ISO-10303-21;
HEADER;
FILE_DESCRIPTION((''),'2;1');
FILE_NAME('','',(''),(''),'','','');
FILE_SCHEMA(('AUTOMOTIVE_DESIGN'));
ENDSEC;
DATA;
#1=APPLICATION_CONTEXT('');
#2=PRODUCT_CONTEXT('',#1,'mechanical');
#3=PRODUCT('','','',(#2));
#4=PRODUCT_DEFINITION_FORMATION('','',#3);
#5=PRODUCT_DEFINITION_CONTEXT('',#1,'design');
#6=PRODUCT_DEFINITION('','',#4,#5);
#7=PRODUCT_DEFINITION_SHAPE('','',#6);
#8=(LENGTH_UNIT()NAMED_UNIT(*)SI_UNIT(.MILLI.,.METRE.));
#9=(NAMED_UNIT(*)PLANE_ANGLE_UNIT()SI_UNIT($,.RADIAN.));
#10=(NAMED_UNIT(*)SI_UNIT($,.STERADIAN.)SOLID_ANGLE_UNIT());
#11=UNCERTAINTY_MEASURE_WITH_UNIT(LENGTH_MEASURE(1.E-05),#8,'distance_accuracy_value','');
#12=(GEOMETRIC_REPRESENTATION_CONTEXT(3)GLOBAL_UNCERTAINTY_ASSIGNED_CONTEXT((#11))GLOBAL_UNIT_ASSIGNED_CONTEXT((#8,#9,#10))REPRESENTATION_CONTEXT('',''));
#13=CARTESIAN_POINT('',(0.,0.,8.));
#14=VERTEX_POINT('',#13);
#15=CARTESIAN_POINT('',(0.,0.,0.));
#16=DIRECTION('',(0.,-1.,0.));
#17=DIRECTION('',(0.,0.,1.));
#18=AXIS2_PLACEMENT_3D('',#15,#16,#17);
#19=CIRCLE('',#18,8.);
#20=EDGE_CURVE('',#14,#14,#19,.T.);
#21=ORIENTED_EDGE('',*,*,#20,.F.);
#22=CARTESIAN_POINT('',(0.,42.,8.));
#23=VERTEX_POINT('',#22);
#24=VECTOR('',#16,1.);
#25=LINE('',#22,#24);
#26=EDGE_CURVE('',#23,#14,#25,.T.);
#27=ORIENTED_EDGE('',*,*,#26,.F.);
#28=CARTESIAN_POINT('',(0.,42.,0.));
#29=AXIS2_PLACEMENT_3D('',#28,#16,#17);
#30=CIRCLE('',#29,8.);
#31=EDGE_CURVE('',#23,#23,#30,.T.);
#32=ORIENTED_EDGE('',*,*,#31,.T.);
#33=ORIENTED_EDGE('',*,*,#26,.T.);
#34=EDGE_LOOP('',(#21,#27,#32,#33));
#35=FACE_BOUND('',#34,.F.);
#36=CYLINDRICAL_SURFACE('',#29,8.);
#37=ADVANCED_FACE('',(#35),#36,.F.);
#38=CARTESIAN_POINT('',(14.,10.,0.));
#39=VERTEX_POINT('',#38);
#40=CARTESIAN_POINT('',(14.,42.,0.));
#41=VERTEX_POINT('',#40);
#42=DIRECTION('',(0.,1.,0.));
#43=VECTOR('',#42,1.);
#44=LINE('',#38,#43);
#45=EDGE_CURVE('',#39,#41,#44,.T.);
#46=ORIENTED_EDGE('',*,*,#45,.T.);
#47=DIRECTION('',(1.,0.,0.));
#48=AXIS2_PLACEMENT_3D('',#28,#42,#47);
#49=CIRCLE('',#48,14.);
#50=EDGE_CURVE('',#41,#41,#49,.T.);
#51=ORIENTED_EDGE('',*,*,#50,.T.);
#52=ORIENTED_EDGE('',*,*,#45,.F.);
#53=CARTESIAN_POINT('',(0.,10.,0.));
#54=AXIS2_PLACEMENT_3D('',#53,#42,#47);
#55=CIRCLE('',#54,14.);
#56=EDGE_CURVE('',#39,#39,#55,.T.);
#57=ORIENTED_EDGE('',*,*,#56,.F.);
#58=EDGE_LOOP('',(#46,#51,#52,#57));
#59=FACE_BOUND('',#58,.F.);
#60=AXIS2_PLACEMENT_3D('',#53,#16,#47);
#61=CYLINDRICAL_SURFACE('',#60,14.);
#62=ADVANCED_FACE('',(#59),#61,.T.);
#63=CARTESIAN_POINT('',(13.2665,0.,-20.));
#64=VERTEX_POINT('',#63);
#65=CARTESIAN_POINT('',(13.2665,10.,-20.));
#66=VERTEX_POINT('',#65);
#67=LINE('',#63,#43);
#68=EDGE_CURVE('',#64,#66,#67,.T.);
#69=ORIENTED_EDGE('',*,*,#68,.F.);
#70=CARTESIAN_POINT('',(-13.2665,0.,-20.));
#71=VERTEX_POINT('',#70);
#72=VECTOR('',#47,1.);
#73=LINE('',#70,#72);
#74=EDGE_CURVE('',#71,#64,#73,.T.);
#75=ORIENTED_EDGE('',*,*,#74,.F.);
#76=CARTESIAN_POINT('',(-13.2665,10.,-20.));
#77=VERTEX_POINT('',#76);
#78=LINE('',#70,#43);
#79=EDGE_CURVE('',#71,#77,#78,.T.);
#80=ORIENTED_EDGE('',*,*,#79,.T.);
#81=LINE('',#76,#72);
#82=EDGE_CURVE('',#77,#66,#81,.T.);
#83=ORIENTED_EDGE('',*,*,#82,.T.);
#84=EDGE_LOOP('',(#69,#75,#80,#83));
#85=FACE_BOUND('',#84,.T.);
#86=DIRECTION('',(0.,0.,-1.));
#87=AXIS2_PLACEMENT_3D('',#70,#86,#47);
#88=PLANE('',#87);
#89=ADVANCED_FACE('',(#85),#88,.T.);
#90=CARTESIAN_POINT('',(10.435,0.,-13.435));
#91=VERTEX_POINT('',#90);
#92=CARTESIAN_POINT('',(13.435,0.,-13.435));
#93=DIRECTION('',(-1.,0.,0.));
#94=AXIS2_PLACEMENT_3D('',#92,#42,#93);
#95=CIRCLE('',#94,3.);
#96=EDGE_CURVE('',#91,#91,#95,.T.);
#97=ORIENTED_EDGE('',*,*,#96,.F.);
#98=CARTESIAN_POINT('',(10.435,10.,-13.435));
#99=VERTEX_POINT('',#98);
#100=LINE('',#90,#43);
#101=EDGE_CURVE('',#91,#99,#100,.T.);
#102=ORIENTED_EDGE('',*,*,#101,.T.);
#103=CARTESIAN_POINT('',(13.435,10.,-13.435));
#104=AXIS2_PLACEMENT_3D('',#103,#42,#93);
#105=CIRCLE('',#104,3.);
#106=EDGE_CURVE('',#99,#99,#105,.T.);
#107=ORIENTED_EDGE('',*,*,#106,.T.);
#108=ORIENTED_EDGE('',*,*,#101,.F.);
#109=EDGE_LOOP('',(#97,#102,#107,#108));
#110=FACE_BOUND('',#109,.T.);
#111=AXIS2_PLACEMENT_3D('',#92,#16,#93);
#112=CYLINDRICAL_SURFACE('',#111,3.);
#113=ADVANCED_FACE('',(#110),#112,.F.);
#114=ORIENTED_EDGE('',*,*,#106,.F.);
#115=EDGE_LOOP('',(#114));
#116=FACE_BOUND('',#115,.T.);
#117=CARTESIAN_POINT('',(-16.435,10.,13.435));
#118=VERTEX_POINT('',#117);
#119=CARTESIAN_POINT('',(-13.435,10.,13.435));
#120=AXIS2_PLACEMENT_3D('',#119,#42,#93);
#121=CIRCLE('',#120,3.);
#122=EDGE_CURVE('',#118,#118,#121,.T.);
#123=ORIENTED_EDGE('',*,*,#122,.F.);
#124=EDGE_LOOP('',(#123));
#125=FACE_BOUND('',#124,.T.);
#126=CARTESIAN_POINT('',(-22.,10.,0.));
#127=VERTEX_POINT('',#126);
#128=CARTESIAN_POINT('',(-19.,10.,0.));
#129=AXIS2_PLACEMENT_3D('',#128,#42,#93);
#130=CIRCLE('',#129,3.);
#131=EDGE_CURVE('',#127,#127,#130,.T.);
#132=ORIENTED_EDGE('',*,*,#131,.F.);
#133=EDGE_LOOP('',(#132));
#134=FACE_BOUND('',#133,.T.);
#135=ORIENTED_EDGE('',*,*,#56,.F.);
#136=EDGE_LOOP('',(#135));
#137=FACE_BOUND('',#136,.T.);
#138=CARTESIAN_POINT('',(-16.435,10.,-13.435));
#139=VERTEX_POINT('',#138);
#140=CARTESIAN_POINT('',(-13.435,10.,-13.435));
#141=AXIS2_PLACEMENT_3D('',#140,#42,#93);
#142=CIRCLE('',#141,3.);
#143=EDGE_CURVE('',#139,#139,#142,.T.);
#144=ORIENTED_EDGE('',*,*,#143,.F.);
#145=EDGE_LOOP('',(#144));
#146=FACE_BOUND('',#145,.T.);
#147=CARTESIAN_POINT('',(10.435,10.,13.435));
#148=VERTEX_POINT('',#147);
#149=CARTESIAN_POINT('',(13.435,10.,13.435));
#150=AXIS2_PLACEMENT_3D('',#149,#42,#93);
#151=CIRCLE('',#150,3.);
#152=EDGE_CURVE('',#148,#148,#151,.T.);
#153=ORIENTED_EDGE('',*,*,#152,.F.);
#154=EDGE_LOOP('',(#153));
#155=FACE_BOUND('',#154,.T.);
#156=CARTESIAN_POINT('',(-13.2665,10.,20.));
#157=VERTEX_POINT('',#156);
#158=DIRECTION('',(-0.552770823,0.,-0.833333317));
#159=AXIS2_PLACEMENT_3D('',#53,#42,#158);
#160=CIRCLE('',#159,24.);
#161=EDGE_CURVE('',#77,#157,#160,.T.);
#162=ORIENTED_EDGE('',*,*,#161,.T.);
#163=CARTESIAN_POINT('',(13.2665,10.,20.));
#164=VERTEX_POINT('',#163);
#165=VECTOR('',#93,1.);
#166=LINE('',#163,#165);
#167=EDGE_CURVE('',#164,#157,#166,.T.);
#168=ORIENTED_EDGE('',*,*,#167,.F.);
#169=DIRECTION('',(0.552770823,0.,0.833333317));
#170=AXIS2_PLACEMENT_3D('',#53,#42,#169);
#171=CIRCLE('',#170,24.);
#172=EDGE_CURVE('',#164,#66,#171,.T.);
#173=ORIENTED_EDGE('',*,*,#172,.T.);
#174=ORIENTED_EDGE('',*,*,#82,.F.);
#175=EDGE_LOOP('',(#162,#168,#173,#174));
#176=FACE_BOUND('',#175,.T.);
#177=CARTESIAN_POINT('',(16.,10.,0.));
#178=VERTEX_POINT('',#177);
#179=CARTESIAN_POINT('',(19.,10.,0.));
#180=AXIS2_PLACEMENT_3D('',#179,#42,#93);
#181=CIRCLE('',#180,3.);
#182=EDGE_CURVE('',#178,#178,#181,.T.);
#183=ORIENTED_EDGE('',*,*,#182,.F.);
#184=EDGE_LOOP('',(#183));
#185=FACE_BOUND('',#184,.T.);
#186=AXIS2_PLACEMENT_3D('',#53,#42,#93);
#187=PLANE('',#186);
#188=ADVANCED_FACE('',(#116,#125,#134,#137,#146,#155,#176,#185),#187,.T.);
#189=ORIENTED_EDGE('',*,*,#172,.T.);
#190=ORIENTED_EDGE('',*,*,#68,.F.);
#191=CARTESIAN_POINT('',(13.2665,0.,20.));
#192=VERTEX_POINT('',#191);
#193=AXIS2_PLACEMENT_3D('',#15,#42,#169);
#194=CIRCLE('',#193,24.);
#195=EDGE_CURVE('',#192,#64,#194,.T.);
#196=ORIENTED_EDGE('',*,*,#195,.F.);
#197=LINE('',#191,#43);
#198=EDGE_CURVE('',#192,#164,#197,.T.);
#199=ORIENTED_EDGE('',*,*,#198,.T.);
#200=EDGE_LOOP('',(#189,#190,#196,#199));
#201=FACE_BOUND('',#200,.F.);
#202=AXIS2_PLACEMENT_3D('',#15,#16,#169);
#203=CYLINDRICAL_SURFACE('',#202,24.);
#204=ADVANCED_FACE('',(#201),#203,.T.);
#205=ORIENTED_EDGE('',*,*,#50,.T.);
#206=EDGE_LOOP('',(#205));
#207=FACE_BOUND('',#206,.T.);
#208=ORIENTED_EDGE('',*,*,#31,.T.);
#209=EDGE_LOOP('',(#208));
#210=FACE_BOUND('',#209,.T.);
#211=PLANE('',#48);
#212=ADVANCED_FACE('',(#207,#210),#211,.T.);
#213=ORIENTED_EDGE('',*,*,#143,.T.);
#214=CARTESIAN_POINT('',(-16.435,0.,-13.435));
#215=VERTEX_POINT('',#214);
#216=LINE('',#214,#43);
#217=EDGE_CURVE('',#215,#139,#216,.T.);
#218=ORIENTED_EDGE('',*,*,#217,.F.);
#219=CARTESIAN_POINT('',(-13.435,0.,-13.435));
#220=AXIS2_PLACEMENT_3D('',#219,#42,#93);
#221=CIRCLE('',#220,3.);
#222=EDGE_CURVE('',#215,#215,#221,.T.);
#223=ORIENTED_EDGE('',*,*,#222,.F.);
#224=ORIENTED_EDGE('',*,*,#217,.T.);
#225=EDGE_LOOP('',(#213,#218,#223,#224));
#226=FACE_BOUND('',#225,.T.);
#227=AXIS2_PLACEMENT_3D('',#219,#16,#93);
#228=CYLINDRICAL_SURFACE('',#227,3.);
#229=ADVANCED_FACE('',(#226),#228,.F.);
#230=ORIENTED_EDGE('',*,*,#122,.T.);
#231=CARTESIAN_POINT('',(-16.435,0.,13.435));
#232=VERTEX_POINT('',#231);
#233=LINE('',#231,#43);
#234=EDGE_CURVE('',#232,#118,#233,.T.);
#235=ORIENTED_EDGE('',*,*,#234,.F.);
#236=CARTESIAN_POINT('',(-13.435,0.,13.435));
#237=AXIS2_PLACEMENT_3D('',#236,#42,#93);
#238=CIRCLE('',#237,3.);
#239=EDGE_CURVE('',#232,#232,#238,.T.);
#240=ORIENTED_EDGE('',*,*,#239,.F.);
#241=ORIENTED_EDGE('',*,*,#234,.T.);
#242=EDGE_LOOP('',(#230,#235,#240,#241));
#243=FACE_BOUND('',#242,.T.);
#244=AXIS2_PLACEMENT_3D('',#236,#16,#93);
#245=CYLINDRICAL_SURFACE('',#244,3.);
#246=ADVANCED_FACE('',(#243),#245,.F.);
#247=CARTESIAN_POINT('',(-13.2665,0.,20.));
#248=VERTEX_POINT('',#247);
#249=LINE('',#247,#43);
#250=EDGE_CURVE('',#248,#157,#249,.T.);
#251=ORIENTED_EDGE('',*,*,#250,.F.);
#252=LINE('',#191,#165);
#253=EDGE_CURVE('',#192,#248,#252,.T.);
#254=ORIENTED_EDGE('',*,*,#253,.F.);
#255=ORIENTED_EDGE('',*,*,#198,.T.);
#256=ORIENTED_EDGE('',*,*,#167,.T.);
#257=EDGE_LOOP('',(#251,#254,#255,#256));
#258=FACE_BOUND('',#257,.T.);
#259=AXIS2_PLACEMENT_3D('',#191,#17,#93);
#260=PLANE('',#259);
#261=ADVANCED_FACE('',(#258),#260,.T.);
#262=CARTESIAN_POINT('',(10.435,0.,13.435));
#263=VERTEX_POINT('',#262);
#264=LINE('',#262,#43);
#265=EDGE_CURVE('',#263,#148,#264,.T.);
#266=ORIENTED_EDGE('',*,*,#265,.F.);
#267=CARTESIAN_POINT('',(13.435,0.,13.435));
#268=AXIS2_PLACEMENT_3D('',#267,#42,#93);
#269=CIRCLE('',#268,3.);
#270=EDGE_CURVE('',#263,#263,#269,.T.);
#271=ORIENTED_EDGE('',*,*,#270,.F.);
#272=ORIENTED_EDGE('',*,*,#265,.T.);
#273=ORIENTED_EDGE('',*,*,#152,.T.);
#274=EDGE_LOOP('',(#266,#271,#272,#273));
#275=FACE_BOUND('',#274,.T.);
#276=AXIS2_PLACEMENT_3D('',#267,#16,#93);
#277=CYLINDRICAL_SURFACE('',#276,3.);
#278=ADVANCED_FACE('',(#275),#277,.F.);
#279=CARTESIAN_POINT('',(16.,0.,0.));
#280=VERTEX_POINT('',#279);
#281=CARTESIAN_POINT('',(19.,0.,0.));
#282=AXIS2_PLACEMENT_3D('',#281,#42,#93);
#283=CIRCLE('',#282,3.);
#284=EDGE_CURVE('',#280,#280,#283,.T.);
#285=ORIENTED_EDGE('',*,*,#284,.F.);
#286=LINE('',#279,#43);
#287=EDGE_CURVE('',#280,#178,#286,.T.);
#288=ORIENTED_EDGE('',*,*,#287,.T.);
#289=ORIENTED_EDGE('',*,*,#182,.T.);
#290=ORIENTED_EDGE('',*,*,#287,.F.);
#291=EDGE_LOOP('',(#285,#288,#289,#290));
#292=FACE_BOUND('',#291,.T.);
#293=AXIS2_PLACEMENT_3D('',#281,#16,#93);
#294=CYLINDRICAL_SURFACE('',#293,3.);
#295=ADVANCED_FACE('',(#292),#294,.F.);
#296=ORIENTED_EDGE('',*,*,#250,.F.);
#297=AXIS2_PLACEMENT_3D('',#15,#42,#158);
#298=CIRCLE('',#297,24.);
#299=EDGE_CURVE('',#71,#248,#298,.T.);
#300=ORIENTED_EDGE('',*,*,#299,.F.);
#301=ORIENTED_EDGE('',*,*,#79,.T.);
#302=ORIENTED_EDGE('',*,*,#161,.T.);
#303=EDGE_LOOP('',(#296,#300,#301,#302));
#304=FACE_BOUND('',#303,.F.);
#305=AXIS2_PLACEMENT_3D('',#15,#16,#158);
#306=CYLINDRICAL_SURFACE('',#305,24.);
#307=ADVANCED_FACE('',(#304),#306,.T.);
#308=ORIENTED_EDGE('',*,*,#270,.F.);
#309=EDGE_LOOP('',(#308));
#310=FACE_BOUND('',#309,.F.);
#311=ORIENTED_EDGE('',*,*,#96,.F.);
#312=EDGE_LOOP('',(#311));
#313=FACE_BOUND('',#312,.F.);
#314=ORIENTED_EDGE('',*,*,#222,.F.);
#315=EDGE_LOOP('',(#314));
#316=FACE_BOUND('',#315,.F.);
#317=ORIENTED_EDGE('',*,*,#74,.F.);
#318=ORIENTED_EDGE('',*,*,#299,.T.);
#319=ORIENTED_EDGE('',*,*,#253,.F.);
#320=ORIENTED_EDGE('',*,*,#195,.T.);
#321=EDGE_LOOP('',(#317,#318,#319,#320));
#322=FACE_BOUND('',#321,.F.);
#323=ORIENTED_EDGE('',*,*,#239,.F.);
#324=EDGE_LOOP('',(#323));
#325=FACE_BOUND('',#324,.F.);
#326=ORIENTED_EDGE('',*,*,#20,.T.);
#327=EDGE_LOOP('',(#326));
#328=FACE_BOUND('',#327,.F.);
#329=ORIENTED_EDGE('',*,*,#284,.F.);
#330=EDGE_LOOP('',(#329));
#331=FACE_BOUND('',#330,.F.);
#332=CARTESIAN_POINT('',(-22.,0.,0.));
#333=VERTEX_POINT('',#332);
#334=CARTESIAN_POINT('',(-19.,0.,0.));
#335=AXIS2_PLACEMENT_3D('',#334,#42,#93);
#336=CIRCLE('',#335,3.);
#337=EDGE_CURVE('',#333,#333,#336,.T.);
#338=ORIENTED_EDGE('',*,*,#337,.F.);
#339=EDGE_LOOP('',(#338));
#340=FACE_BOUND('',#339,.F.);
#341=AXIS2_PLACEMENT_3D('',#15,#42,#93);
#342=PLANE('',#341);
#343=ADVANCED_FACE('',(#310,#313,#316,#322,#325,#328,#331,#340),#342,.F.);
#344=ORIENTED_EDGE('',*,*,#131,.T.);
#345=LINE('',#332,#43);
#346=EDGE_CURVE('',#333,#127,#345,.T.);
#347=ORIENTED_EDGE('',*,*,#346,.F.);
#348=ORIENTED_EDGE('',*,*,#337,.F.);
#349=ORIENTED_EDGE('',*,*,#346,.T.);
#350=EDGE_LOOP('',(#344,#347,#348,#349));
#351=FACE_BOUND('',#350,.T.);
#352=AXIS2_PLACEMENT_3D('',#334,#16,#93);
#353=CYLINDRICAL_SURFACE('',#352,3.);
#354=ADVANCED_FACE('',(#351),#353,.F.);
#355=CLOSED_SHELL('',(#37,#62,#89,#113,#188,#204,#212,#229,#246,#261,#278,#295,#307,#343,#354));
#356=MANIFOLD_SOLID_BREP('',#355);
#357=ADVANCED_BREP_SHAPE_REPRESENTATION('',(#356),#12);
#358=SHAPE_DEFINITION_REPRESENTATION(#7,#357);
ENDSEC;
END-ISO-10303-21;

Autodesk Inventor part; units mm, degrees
ref_plane "YZ Plane" through (0, 0, 0) normal (1, 0, 0) x (0, 1, 0)
ref_plane "XZ Plane" through (0, 0, 0) normal (0, 1, 0) x (-1, 0, 0)
ref_plane "XY Plane" through (0, 0, 0) normal (0, 0, 1) x (1, 0, 0)
sketch "Sketch1" plane through (0, 0, 0) normal (0, 1, 0) x (-1, 0, 0)
  line L0 (-13.2665, 20) -> (13.2665, 20)
  line L1 (13.2665, -20) -> (-13.2665, -20)
  arc A0 (13.2665, -20) -> (13.2665, 20) centre (0, 0) ccw
  arc A1 (-13.2665, 20) -> (-13.2665, -20) centre (0, 0) ccw
  circle A2 centre (19, 0) radius 3
  circle A3 centre (13.435, 13.435) radius 3
  circle A4 centre (13.435, -13.435) radius 3
  line L2 (0, 0) -> (-19, 0)
  circle A5 centre (-19, 0) radius 3
  circle A6 centre (-13.435, -13.435) radius 3
  circle A7 centre (-13.435, 13.435) radius 3
  dimension "d2" = 40
  dimension "d7" = 45
  dimension "d11" = 45
  dimension "d17" = 45
  dimension "d21" = 45
extrude "Extrusion1" add sketch "Sketch1" along normal blind 10
sketch "Sketch2" plane through (0, 10, 0) normal (0, 1, 0) x (1, 0, 0)
  circle A0 centre (0, 0) radius 14
  dimension "d25" = 28
extrude "Extrusion2" add sketch "Sketch2" along normal blind 32
sketch "Sketch3" plane through (0, 42, 0) normal (0, 1, 0) x (1, 0, 0)
  point P0 (0, 0)
  point P1 (0, 0)
hole "Hole1" at (0, 42, 0) direction (0, -1, 0) diameter 16 end through all
properties part number "Tuerca 16"
